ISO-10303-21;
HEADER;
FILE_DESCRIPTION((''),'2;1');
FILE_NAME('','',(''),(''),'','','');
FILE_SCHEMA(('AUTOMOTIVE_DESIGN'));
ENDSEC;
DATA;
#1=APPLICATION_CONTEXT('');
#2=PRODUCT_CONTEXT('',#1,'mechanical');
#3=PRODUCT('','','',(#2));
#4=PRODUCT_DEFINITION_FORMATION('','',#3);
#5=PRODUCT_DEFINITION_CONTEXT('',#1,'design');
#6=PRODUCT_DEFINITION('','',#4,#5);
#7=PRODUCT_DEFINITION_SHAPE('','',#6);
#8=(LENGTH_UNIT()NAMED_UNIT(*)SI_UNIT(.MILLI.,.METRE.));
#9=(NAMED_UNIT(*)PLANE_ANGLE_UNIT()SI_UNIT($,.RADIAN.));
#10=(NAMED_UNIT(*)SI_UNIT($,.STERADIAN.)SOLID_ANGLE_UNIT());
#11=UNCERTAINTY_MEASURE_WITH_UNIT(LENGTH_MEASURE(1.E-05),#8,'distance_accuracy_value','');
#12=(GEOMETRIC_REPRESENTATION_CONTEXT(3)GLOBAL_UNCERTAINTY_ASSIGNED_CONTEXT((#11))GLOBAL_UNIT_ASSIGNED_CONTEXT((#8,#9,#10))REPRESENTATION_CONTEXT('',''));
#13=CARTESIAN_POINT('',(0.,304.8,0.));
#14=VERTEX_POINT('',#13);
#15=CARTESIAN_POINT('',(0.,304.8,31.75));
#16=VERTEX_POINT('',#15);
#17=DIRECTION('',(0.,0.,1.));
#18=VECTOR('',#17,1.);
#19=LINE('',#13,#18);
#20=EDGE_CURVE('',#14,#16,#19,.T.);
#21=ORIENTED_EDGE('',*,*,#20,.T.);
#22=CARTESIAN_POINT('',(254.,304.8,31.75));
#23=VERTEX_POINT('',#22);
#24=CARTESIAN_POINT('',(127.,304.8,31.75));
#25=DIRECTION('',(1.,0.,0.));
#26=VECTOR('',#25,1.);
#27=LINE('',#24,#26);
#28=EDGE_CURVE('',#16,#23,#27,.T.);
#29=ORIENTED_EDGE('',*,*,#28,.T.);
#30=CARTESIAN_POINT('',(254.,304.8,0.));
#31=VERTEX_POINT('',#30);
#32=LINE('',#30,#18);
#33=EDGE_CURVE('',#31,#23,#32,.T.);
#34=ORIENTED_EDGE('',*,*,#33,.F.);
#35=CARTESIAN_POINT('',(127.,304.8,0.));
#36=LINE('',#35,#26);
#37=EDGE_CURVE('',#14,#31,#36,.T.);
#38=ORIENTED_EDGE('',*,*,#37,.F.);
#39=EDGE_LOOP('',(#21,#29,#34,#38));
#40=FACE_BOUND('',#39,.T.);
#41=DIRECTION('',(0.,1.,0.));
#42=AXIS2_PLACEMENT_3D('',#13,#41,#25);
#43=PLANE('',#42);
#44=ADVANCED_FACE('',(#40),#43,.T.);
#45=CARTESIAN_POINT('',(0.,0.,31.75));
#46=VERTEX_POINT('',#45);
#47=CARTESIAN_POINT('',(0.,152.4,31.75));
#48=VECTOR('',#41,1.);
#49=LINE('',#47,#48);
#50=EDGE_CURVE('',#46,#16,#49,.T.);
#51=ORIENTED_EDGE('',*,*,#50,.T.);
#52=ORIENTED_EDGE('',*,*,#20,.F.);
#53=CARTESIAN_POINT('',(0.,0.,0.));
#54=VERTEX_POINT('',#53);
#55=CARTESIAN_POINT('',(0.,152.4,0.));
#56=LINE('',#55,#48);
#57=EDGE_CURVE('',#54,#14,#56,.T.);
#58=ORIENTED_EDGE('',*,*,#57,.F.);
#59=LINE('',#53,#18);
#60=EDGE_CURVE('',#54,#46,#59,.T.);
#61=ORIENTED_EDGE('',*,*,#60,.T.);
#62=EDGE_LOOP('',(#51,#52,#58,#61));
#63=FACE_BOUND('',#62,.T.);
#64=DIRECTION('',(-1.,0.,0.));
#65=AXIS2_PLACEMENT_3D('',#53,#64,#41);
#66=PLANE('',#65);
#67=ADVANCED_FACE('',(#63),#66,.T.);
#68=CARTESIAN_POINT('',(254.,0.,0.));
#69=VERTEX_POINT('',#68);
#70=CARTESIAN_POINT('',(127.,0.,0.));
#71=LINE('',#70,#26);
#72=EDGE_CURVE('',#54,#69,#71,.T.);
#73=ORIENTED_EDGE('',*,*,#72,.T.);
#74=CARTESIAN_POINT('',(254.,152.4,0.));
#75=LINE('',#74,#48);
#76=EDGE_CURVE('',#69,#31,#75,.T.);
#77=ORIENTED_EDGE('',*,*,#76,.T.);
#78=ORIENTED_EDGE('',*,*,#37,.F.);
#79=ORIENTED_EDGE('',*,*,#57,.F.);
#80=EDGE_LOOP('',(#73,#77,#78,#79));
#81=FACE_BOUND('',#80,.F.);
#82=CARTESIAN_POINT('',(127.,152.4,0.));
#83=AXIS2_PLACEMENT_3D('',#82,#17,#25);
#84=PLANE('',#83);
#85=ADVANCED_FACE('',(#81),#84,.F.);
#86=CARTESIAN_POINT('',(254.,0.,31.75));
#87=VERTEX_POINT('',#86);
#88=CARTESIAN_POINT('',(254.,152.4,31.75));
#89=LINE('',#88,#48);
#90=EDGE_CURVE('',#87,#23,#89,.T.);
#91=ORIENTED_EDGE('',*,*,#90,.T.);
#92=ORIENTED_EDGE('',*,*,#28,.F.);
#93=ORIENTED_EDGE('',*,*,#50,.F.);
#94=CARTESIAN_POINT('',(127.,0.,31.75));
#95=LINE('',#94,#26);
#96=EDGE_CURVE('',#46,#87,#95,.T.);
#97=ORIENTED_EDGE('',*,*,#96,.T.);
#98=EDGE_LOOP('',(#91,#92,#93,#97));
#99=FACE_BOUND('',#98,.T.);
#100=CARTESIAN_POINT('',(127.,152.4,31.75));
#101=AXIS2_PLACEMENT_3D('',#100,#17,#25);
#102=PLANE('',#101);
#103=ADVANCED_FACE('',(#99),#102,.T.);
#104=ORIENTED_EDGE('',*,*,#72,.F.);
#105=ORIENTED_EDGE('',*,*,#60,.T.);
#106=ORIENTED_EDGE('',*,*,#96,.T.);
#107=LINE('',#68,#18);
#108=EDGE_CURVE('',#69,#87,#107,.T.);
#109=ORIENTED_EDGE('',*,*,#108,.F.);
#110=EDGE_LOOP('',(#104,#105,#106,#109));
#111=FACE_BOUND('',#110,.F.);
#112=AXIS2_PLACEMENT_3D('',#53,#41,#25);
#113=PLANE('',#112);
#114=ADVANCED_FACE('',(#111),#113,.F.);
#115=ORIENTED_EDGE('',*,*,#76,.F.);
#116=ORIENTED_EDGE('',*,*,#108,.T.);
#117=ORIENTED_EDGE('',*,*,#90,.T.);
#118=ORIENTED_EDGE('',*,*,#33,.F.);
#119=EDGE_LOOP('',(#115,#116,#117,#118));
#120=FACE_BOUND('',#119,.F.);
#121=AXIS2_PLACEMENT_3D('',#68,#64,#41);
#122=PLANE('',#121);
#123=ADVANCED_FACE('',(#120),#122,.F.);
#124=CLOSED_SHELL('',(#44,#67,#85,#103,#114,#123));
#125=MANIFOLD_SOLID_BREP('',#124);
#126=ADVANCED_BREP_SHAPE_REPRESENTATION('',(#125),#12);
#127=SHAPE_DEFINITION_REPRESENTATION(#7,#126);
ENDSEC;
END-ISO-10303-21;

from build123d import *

# Parameters (mm, degrees)
BOX_W     = 254
BOX_H     = 304.8
BOX_DEPTH = 31.75


with BuildPart() as part:
    # Box → Box (new body)
    with BuildSketch(Plane.XY):
        with Locations((127, 152.4)):
            Rectangle(BOX_W, BOX_H)
    extrude(amount=BOX_DEPTH)


solid = part.part
